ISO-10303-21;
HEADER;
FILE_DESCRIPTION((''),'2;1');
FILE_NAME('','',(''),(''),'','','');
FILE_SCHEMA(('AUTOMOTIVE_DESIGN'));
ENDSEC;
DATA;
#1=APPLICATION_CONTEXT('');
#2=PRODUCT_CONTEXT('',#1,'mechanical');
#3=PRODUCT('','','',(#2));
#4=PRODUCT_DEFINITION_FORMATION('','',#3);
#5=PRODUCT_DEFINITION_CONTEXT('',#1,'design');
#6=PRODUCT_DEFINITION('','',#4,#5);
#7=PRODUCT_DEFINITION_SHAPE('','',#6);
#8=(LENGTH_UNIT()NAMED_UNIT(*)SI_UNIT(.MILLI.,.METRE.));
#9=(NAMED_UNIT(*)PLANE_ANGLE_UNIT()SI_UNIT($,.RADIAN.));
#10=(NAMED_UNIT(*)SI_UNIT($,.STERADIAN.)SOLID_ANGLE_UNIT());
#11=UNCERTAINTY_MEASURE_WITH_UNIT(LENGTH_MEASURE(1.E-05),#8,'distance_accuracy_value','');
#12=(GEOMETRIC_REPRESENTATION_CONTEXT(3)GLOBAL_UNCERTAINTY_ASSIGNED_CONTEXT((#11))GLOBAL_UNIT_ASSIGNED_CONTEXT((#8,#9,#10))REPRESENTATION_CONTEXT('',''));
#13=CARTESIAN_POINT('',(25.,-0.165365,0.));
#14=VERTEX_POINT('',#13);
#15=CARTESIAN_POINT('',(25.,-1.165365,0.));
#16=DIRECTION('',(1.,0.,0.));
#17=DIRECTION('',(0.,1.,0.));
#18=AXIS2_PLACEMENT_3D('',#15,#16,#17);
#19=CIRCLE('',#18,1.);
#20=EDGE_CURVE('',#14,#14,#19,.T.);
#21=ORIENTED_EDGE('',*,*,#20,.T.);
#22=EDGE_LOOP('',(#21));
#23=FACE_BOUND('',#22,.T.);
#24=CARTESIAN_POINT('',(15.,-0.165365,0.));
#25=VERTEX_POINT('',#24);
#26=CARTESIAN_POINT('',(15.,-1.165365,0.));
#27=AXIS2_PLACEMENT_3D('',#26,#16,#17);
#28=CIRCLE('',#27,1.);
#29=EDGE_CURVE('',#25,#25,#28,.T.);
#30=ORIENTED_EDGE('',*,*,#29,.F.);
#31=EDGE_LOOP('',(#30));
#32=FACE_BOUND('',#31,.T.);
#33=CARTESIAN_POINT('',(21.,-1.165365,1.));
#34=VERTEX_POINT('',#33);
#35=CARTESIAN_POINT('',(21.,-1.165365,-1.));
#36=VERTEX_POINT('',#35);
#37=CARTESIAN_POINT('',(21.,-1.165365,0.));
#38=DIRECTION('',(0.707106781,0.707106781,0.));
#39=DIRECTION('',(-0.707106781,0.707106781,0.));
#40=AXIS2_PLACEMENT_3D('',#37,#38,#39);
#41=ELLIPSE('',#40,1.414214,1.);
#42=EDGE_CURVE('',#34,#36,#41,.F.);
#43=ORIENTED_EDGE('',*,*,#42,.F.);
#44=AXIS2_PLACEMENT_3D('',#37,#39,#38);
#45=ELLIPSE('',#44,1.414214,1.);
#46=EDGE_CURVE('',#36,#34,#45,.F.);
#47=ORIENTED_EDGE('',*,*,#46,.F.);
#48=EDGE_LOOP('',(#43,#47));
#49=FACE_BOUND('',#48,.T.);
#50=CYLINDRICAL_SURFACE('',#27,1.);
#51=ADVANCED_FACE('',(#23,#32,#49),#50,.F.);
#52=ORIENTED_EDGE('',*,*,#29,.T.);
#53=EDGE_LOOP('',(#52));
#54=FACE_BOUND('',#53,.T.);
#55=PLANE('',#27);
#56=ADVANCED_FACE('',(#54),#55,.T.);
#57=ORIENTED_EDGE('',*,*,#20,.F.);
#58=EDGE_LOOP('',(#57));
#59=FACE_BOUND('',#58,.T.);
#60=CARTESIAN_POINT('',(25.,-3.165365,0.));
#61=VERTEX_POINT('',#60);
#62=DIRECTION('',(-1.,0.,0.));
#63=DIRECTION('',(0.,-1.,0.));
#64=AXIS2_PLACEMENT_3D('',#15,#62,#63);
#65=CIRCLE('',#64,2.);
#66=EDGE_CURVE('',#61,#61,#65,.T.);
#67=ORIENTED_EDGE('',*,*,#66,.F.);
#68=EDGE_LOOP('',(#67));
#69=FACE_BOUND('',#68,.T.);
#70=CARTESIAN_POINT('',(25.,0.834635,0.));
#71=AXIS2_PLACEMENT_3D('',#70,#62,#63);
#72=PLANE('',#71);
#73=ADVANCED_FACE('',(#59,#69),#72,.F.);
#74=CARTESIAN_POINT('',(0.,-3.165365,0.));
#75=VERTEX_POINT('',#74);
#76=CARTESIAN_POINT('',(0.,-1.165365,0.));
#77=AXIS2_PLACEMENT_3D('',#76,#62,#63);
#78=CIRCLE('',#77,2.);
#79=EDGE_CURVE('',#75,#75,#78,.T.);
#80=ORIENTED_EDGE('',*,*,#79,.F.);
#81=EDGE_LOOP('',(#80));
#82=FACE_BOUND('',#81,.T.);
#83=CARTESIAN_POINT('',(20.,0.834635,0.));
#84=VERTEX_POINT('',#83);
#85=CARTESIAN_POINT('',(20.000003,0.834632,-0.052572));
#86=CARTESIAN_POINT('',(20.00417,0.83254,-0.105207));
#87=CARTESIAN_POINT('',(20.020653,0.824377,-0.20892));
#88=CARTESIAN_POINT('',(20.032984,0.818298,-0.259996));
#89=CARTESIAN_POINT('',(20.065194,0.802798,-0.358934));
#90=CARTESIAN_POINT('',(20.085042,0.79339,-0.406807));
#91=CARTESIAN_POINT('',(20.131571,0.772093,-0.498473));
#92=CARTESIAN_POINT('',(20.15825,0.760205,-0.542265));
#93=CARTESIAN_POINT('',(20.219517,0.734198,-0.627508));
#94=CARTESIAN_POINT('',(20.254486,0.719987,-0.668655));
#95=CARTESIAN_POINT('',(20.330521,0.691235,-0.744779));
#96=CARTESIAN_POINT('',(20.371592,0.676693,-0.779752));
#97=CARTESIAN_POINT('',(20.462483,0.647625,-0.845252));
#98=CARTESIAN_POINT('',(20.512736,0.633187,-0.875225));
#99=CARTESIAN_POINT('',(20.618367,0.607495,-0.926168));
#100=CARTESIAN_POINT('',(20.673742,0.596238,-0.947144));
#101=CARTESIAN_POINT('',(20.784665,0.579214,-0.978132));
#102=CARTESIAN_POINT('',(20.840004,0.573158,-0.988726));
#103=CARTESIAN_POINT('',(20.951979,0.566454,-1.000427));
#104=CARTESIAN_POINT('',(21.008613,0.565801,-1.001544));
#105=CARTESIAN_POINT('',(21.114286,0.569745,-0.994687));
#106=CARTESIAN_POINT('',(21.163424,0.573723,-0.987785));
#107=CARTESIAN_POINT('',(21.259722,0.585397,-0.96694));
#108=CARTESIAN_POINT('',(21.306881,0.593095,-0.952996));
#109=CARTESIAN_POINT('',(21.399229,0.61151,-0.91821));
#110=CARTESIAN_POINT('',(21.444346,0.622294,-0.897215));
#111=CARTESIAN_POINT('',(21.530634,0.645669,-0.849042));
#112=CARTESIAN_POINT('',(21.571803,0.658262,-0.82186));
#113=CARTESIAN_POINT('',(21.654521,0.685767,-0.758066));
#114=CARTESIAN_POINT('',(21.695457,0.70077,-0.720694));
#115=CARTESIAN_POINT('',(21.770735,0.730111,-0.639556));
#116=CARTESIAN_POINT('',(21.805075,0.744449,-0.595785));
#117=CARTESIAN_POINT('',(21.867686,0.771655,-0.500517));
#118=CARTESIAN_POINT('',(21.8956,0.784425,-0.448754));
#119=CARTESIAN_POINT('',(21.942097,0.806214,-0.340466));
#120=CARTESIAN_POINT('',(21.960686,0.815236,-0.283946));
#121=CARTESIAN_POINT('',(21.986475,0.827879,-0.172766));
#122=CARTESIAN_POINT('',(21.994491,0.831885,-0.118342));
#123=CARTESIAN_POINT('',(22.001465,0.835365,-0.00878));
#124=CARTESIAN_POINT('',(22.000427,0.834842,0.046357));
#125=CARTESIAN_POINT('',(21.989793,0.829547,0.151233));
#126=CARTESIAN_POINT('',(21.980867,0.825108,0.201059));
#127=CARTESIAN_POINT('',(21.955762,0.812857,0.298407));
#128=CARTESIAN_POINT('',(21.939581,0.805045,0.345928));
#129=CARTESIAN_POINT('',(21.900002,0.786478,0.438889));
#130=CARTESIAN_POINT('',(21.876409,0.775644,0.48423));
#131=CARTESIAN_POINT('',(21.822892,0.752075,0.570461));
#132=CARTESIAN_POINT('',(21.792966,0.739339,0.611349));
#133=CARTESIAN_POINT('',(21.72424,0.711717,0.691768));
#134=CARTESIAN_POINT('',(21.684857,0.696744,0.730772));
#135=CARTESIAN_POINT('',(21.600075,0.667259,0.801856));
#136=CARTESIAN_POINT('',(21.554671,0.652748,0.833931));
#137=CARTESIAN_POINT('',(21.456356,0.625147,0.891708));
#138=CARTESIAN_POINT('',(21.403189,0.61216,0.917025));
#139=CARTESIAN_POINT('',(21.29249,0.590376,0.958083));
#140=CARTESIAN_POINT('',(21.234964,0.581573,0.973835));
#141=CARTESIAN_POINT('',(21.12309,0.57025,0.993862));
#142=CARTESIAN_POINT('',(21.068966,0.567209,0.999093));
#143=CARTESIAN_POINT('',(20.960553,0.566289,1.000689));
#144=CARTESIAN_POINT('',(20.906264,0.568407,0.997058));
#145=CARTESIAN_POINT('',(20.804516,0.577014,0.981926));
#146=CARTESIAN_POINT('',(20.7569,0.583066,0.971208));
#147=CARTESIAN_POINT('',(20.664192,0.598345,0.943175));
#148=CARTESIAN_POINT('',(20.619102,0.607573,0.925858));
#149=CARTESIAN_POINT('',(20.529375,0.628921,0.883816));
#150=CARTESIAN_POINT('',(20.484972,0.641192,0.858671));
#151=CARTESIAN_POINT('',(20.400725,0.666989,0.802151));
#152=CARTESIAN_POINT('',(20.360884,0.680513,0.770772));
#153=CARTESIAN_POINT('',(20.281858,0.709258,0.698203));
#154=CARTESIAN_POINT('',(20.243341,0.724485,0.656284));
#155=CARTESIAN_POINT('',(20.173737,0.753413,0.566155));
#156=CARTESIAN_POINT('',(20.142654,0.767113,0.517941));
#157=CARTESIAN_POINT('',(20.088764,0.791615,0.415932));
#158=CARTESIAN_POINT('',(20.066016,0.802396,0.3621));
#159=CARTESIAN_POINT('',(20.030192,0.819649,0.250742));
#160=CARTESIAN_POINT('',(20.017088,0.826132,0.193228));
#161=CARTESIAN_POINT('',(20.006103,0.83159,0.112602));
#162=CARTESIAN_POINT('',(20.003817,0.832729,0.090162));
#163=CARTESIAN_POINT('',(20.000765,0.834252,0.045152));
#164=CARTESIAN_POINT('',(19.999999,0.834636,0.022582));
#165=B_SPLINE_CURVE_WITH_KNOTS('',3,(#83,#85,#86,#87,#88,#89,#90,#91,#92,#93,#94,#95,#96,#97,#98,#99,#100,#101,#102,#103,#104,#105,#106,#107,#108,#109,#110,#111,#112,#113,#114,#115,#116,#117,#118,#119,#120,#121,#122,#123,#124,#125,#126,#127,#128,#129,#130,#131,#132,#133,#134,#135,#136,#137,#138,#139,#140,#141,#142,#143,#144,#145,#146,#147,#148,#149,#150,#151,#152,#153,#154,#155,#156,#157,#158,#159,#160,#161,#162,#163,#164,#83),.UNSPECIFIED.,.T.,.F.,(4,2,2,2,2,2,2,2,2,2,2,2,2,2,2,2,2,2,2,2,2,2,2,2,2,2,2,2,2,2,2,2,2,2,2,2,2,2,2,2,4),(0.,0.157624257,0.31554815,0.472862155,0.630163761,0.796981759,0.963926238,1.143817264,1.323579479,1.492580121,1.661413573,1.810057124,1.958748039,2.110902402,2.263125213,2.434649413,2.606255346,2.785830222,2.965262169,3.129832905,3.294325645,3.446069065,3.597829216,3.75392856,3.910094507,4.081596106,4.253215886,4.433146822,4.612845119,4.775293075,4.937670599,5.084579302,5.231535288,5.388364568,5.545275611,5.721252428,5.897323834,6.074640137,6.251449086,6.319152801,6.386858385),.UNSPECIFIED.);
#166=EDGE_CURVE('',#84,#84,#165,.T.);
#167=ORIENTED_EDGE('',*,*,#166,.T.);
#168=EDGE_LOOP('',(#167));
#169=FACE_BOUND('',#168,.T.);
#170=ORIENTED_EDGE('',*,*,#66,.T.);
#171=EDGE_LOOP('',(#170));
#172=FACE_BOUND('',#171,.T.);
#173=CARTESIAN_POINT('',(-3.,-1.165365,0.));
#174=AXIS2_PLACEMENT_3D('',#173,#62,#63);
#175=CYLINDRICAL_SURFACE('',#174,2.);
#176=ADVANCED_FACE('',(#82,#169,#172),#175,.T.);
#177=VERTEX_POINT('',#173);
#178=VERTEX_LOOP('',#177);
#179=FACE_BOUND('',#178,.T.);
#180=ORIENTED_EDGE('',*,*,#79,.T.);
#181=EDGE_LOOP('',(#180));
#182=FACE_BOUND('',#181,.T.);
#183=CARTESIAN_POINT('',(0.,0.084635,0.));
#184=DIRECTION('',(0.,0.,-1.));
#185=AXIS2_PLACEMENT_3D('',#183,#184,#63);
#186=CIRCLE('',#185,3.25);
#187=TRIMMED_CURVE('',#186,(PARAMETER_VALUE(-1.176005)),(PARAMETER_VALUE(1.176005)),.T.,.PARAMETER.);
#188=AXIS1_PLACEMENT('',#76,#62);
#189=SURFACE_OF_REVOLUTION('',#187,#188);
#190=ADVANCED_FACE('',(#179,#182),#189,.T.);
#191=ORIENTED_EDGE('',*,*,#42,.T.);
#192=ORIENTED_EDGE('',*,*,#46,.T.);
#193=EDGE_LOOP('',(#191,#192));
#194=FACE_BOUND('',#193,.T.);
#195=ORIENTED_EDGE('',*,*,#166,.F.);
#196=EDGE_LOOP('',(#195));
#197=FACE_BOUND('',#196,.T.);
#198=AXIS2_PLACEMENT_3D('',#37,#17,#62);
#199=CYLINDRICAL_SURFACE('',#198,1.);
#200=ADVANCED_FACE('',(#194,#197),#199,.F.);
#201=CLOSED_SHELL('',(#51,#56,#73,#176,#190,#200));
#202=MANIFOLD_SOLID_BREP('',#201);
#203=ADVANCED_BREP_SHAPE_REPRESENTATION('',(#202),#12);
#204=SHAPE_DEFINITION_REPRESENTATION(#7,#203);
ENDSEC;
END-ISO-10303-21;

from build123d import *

# Parameters (mm, degrees)
SKETCH4_R          = 1
CUT_EXTRUDE1_DEPTH = 2
SKETCH5_R          = 1
CUT_EXTRUDE2_DEPTH = 10


with BuildPart() as part:
    # Sketch1 → Revolve1 (revolve)
    with BuildSketch(Plane.XY, mode=Mode.PRIVATE) as revolve1_sk:
        with BuildLine():
            Line((0, 0.8346352), (25, 0.8346352))
            Line((25, 0.8346352), (25, -1.1653648))
            Line((25, -1.1653648), (-3, -1.1653648))
            ThreePointArc((-3, -1.1653648), (-1.802775638, 0.288798657), (0, 0.8346352))
        make_face()
    revolve(revolve1_sk.sketch.rotate(Axis((-3, -1.1653648, 0), (1, 0, 0)), 180), axis=Axis((-3, -1.1653648, 0), (1, 0, 0)))

    # Sketch4 → Cut-Extrude1 (cut)
    with BuildSketch(Plane(origin=(0, 0.8346352, 0), x_dir=(1, 0, 0), z_dir=(0, 1, 0))):
        with Locations(Location((21, 0, 0), (0, 0, 180))):
            Circle(SKETCH4_R)
    extrude(amount=-CUT_EXTRUDE1_DEPTH, mode=Mode.SUBTRACT)

    # Sketch5 → Cut-Extrude2 (cut)
    with BuildSketch(Plane(origin=(25, 0, 0), x_dir=(0, 0, -1), z_dir=(1, 0, 0))):
        with Locations(Location((0, -1.1653648, 0), (0, 0, 90))):
            Circle(SKETCH5_R)
    extrude(amount=-CUT_EXTRUDE2_DEPTH, mode=Mode.SUBTRACT)


solid = part.part
